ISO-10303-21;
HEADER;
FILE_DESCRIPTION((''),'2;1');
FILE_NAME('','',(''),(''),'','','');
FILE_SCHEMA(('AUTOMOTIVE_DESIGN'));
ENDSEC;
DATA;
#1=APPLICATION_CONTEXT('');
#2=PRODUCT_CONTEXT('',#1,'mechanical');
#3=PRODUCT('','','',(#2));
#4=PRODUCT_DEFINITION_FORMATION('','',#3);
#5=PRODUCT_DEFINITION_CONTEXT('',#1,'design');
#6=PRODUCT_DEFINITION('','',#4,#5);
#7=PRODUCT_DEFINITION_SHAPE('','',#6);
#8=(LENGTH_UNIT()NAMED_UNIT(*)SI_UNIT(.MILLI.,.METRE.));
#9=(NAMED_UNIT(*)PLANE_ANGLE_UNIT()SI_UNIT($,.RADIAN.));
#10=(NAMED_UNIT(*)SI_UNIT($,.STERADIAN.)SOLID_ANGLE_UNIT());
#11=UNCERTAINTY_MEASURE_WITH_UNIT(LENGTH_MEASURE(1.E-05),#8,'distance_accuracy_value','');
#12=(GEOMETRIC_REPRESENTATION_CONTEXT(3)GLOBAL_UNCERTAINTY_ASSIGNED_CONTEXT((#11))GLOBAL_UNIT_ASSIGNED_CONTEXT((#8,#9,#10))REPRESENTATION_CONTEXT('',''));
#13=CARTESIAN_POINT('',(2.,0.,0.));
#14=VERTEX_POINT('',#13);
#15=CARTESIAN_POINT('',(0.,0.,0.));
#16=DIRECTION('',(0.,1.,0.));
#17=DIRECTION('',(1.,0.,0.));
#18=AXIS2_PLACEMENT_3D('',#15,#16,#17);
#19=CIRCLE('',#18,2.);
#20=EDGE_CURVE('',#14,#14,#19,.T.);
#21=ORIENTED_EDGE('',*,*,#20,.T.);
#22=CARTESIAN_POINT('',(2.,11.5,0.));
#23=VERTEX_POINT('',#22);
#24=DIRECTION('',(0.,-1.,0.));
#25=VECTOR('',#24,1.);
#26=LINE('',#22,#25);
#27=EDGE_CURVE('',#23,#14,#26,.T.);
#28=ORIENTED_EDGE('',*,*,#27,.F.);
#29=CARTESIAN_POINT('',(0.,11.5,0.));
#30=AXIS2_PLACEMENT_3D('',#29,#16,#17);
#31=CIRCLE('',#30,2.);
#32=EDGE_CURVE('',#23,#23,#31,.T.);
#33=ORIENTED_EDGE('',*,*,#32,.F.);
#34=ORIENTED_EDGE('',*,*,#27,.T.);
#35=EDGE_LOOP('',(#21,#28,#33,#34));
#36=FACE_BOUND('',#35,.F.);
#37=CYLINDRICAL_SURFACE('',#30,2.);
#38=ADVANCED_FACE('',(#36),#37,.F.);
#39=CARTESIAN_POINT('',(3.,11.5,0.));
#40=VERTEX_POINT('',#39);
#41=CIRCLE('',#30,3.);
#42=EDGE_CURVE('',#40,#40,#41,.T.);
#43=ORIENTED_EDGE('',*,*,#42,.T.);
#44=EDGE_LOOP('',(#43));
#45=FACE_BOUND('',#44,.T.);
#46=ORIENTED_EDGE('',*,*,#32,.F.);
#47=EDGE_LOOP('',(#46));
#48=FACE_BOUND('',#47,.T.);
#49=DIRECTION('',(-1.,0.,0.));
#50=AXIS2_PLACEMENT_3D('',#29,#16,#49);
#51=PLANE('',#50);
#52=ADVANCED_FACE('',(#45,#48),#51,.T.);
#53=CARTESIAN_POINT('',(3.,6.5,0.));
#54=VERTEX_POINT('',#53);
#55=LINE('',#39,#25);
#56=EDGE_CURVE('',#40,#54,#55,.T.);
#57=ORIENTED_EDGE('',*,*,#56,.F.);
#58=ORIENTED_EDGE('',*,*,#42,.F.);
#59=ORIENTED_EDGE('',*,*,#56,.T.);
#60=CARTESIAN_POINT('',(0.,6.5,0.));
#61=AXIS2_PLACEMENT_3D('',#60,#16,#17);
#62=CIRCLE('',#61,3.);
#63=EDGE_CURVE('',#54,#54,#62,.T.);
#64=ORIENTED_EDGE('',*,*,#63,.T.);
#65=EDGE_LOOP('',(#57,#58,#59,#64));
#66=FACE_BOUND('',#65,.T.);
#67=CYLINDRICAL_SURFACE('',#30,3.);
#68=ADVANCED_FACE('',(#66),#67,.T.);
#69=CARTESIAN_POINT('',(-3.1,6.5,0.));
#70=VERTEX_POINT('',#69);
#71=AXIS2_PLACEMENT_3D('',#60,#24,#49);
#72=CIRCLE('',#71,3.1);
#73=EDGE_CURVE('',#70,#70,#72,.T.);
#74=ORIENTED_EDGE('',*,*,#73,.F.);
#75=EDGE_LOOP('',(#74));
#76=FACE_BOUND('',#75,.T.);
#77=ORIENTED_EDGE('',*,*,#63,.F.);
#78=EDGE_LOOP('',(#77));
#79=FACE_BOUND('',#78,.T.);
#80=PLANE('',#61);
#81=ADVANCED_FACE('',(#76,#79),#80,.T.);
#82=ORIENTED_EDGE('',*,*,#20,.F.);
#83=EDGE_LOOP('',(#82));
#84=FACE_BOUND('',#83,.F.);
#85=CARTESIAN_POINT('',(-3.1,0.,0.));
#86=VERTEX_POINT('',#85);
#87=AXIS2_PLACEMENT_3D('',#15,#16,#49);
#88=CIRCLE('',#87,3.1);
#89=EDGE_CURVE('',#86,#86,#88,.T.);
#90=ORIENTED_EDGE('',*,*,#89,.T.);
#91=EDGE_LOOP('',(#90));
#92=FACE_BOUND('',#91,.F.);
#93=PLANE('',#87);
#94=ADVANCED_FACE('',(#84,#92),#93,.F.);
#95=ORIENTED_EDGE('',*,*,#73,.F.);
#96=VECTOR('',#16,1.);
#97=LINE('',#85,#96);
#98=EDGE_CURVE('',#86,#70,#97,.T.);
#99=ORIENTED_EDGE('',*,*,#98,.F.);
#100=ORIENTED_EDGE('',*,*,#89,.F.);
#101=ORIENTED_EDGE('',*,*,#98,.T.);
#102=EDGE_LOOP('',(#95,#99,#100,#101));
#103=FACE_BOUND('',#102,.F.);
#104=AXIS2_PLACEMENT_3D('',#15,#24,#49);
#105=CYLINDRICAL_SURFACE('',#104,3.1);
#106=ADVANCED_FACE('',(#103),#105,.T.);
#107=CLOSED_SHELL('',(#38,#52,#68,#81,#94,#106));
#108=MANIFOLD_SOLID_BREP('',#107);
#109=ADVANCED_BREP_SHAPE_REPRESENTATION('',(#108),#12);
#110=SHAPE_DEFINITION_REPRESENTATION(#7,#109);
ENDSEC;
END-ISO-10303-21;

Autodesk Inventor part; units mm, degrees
ref_plane "YZ Plane" through (0, 0, 0) normal (1, 0, 0) x (0, 1, 0)
ref_plane "XZ Plane" through (0, 0, 0) normal (0, 1, 0) x (-1, 0, 0)
ref_plane "XY Plane" through (0, 0, 0) normal (0, 0, 1) x (1, 0, 0)
sketch "Boceto1" plane through (0, 0, 0) normal (0, 1, 0) x (-1, 0, 0)
  circle A0 centre (0, 0) radius 3.1
  dimension "d0" = 6.2
extrude "Extrusión1" add sketch "Boceto1" along normal blind 11.5
sketch "Boceto2" plane through (0, 11.5, 0) normal (0, 1, 0) x (1, 0, 0)
  circle A0 centre (0, 0) radius 3.1 projected
  circle A1 centre (0, 0) radius 2
  dimension "d3" = 4
extrude "Extrusión2" cut sketch "Boceto2" against normal blind 15.75 contours A1
sketch "Boceto3" plane through (0, 11.5, 0) normal (0, 1, 0) x (1, 0, 0)
  circle A0 centre (0, 0) radius 3
  circle A1 centre (0, 0) radius 4.9518
  dimension "d6" = 6
extrude "Extrusión3" cut sketch "Boceto3" against normal blind 5
equation "\"Radio_pliegue\" = Grosor"
equation "\"Anchura_desahogo_plegado\" = Grosor"
equation "\"Profundidad_desahogo_plegado\" = 0.5 * Grosor"
equation "\"Tamaño_destalonado\" = 4 * Grosor"
equation "\"Remanente_mínimo\" = 2 * Grosor"
equation "\"Radiodetransición\" = Radio_pliegue"
equation "\"Tamaño_de_radio_de_Jacobi\" = Radio_pliegue"
equation "\"TamañoSeparación\" = Grosor"
equation "\"Grosor\" = 0.5"
properties part number "Soporte de llanta"
